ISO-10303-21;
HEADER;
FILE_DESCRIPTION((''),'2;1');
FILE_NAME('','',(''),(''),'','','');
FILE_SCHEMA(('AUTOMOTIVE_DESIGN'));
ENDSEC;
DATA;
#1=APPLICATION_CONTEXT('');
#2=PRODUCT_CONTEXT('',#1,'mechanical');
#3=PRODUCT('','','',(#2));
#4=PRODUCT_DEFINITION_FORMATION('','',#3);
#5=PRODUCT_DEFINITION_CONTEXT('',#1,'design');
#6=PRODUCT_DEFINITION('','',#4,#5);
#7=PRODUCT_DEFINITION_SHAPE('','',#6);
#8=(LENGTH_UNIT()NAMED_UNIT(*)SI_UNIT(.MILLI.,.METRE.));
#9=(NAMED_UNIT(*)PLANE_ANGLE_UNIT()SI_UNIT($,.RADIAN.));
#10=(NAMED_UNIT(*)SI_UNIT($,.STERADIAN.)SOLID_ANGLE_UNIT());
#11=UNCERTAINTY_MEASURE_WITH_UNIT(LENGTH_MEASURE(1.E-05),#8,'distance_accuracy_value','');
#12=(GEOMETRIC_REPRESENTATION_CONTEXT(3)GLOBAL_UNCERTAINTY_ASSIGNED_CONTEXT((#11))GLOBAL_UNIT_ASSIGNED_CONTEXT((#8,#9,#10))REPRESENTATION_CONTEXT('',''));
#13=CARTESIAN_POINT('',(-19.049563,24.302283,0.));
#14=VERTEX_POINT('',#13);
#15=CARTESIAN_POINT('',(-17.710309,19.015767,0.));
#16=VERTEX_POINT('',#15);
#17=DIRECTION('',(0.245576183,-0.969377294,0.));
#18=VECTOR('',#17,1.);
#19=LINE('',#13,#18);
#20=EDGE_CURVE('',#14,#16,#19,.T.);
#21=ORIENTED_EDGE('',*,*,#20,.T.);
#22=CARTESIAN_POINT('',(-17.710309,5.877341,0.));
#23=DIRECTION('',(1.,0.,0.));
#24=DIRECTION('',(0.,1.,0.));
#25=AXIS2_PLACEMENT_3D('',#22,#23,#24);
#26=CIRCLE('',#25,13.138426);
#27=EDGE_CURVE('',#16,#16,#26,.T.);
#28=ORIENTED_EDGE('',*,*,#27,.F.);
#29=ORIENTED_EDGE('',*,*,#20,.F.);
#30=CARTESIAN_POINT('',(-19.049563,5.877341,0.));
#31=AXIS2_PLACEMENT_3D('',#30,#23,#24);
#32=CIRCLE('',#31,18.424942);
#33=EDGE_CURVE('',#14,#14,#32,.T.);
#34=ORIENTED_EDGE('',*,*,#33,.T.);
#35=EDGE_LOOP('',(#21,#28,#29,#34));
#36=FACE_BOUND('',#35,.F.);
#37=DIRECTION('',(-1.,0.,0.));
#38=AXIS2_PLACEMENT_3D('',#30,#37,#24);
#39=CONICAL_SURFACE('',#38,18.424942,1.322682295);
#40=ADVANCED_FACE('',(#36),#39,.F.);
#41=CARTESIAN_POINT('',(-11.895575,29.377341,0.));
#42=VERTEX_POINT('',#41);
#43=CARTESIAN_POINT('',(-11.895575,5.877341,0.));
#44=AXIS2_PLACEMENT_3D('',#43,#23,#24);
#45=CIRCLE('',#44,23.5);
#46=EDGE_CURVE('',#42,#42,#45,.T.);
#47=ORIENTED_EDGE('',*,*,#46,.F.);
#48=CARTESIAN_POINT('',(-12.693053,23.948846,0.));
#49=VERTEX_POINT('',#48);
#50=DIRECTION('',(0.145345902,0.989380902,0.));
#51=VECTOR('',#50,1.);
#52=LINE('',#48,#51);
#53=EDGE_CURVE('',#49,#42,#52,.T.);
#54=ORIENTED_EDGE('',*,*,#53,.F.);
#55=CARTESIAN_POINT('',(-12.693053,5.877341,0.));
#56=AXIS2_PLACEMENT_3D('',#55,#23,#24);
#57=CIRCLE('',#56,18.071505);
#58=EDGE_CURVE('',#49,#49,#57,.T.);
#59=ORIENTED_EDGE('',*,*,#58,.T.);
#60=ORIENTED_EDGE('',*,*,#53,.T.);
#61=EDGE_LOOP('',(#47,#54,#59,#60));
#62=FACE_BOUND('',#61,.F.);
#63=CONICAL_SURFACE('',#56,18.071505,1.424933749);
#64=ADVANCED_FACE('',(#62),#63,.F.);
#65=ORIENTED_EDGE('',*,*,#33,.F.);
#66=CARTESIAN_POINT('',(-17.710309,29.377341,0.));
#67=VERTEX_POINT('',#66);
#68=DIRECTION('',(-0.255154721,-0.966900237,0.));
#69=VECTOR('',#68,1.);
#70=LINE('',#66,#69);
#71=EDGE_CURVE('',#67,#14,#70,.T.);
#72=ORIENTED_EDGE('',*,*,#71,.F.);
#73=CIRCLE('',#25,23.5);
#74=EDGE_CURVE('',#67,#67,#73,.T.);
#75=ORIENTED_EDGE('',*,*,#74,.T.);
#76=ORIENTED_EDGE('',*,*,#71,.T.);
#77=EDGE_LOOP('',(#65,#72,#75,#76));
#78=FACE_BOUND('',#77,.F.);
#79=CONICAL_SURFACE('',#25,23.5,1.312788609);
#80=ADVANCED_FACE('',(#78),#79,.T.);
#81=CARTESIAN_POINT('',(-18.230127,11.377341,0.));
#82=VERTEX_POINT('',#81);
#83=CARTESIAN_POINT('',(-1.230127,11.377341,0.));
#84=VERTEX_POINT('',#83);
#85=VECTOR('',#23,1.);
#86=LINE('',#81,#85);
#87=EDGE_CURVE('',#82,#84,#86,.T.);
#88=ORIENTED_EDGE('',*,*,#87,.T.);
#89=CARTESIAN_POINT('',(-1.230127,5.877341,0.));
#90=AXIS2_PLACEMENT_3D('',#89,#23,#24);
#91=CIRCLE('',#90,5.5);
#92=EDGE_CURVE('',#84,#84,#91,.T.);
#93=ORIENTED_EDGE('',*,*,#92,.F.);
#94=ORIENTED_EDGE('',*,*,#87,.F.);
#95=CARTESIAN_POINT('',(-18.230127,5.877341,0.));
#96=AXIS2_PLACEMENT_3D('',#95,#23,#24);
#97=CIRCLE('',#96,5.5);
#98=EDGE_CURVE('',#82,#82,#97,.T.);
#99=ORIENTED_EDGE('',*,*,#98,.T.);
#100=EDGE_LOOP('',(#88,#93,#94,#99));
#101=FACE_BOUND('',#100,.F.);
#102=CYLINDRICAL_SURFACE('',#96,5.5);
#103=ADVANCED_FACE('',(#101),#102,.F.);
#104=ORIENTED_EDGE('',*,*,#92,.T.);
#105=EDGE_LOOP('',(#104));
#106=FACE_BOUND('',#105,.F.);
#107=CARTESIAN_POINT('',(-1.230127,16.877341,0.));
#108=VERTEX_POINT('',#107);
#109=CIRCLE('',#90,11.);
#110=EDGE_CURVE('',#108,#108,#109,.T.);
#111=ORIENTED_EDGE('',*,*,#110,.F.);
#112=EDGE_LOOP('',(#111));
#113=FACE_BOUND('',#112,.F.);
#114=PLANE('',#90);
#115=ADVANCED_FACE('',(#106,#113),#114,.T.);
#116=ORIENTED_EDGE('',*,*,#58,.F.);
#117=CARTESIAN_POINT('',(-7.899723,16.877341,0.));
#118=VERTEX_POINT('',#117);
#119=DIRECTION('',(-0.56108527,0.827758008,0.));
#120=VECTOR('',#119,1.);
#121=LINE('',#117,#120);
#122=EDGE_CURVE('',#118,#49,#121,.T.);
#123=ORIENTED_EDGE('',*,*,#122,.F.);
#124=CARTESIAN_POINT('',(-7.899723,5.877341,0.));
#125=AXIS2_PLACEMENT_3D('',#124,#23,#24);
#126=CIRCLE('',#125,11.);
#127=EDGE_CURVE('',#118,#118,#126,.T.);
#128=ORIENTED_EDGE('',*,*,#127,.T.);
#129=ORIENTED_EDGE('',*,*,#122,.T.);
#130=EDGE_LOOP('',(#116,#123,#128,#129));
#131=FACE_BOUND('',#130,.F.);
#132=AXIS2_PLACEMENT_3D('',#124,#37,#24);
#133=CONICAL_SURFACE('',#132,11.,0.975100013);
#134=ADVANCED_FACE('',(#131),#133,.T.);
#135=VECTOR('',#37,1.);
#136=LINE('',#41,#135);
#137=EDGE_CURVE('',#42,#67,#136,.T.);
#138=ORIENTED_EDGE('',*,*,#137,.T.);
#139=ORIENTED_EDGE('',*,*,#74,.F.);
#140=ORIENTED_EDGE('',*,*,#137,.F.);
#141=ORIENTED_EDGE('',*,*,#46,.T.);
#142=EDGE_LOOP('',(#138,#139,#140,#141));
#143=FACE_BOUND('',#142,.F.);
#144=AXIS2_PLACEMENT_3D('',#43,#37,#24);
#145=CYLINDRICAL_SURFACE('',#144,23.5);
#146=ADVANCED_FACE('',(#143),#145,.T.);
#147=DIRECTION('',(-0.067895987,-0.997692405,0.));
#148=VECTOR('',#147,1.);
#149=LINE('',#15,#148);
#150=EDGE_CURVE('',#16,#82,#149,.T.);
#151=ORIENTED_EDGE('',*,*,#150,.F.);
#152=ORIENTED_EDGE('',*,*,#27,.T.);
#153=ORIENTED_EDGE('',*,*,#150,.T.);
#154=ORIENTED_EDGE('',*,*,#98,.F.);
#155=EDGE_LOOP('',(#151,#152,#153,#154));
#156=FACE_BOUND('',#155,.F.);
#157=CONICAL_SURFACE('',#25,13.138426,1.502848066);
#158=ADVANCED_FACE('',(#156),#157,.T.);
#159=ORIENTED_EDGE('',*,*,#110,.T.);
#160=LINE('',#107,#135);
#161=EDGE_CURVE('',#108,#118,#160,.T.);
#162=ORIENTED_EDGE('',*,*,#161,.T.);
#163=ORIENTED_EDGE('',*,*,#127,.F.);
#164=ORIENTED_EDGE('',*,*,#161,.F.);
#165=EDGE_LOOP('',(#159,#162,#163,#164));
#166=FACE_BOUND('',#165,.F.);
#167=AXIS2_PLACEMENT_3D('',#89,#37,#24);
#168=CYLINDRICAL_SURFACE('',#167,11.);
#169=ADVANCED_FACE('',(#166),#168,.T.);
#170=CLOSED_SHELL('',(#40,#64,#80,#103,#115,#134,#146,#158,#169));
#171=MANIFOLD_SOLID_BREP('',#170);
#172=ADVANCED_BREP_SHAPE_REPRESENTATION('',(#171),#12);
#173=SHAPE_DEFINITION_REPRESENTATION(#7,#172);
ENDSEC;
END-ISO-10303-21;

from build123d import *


with BuildPart() as f1:
    # F0 (on Top) → F1 (revolve)
    with BuildSketch(Plane.XY):
        Polygon((-17.710309, 19.015767), (-18.230127, 11.377341), (-1.230127, 11.377341), (-1.230127, 16.877341), (-7.899723, 16.877341), (-12.693053, 23.948846), (-11.895575, 29.377341), (-17.710309, 29.377341), (-19.049563, 24.302283), align=None)
    revolve(axis=Axis((-13.608646, 5.877341, 0), (1, 0, 0)))


solid = f1.part
